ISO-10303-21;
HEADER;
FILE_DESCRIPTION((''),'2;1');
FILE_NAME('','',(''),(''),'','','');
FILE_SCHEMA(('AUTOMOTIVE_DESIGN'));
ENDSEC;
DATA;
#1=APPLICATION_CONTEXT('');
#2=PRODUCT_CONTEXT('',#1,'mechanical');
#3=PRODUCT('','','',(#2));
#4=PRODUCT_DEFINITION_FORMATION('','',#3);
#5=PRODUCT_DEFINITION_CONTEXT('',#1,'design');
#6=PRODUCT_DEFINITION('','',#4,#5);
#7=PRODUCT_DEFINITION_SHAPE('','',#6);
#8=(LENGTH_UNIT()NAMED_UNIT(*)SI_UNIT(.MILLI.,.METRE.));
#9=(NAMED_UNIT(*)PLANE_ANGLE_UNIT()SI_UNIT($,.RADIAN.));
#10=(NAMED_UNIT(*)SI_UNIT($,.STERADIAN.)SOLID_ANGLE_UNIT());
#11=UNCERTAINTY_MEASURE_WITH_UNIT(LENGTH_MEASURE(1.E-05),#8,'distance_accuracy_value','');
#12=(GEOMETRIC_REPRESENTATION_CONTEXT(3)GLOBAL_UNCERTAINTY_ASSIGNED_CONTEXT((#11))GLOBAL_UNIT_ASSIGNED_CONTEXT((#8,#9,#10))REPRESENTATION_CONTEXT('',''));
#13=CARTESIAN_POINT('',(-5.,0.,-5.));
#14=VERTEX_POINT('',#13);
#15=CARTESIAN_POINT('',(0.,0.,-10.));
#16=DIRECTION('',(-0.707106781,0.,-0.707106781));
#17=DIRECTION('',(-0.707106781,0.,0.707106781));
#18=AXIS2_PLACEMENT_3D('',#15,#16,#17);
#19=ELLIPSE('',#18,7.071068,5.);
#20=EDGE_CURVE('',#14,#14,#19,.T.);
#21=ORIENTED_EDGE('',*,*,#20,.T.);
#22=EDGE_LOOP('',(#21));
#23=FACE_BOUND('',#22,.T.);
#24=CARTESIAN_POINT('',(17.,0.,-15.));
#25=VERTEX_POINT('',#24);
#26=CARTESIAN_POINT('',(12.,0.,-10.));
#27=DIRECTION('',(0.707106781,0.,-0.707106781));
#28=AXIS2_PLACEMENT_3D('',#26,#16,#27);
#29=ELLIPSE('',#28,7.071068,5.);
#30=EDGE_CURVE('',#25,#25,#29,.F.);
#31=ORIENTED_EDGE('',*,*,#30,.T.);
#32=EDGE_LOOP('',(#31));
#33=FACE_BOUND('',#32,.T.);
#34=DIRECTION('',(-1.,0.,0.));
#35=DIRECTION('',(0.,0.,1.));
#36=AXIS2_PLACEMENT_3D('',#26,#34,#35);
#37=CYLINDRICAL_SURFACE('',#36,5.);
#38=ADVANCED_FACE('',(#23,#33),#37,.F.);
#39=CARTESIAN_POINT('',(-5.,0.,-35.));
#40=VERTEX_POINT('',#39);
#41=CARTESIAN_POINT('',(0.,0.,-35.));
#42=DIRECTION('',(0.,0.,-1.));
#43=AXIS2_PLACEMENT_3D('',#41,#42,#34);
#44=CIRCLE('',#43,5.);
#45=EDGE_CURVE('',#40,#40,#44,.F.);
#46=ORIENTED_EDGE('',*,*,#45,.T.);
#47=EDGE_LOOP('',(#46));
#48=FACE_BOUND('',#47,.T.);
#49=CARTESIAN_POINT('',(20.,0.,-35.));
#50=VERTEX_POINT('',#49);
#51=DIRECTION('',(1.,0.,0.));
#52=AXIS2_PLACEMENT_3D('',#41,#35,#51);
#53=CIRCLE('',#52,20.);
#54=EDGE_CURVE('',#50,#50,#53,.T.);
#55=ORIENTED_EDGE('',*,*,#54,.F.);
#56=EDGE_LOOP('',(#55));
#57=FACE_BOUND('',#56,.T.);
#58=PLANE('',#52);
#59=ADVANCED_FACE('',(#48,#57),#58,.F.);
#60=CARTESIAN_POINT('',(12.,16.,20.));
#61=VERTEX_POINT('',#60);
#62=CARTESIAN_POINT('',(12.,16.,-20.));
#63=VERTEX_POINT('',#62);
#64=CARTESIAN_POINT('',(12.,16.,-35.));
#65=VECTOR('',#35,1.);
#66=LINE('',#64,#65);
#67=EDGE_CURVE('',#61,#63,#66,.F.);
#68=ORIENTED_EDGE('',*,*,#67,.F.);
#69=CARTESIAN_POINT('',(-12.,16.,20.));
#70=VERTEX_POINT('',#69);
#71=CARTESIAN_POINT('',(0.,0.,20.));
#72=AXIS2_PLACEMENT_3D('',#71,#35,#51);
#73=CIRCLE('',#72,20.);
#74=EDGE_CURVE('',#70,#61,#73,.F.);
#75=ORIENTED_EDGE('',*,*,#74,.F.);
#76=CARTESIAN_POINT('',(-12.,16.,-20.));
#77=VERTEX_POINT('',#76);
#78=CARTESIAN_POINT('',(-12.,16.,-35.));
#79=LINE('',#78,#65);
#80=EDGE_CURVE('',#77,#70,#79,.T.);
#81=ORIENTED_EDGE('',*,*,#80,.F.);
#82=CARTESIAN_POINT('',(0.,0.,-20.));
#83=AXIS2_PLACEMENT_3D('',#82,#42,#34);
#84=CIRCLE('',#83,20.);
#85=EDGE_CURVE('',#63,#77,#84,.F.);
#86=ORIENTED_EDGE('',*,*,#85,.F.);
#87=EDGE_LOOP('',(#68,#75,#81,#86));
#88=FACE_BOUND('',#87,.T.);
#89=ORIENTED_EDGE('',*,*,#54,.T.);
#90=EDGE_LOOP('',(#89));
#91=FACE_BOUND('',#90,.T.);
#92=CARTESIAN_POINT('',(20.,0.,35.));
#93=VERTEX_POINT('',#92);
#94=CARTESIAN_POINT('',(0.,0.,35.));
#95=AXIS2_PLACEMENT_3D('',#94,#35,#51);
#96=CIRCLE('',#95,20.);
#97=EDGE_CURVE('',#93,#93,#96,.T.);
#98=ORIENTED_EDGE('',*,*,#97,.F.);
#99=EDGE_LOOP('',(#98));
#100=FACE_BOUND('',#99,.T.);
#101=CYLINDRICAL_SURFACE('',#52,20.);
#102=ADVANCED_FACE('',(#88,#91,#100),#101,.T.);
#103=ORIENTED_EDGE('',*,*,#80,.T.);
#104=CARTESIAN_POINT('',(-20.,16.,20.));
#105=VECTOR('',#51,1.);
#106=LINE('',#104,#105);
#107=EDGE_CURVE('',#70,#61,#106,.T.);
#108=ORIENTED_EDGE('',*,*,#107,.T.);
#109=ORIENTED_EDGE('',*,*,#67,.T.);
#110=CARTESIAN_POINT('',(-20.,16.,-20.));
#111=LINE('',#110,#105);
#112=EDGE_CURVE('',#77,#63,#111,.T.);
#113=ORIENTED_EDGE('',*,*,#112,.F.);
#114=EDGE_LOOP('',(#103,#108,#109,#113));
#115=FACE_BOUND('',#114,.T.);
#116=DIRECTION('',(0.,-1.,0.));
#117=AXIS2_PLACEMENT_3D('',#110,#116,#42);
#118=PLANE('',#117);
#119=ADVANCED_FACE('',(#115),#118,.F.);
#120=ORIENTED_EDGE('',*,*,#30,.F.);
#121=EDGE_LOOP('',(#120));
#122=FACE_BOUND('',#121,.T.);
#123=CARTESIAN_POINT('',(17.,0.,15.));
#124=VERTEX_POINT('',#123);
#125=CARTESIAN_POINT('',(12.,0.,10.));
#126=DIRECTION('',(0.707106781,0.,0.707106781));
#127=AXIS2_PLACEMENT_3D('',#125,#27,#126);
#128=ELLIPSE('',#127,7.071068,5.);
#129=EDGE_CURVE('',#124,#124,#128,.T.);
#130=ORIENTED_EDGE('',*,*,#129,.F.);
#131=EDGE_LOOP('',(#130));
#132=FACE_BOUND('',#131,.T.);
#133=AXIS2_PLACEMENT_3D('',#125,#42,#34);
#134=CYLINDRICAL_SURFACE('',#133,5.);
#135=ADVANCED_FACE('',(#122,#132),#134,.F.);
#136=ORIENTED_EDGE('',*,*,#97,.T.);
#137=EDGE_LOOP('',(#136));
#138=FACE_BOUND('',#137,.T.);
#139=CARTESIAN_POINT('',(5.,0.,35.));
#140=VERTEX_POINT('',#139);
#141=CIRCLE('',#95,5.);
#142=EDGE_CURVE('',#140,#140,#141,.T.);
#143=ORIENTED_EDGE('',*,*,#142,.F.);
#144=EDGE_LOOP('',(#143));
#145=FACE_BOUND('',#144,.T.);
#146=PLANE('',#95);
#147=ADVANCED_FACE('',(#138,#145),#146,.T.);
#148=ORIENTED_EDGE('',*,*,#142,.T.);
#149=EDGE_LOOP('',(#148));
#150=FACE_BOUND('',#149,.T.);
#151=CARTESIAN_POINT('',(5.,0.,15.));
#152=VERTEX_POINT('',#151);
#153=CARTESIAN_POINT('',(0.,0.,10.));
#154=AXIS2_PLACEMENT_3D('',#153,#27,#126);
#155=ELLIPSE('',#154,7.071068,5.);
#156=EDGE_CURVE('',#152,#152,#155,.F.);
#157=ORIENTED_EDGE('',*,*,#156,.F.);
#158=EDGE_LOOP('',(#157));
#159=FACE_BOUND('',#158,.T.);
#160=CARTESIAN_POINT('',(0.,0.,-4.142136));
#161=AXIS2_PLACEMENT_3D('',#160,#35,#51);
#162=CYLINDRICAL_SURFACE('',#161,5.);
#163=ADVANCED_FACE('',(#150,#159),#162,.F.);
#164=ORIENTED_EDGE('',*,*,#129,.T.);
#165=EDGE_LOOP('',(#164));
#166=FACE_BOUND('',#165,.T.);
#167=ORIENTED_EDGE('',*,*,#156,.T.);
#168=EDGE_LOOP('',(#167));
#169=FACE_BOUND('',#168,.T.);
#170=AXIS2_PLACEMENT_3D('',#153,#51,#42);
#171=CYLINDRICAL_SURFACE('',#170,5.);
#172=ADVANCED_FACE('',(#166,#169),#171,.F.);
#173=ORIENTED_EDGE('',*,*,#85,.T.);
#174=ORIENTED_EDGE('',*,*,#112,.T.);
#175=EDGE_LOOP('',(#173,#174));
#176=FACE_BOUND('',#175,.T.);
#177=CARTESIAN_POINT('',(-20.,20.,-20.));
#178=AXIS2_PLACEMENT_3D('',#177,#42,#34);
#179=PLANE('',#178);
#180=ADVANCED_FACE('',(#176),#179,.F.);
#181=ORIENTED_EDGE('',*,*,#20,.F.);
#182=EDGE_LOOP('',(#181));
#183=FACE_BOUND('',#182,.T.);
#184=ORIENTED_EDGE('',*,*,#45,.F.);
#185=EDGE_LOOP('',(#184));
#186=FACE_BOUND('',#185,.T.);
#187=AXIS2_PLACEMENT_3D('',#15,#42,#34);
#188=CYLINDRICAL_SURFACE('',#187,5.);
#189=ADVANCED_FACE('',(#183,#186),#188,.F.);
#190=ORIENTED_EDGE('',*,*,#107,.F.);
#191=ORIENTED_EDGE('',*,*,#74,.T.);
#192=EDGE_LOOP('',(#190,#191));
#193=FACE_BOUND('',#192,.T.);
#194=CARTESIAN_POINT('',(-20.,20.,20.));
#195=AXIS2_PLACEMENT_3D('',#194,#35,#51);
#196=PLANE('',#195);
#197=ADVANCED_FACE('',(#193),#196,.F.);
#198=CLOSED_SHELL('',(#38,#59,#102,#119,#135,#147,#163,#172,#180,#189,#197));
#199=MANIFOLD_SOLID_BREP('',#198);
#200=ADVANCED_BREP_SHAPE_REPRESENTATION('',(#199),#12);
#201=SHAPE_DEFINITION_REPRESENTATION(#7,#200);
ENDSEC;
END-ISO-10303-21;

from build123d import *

# Parameters (mm, degrees)
SKETCH1_R               = 20
BOSS_EXTRUDE1_DEPTH     = 35
SKETCH3_R               = 5
SKETCH4_W               = 40
SKETCH4_H               = 4
CUT_EXTRUDE1_DEPTH      = 21
CUT_EXTRUDE1_DEPTH_BACK = 21


with BuildPart() as part:
    # Sketch1 → Boss-Extrude1 (new body, symmetric)
    with BuildSketch(Plane.XY):
        Circle(SKETCH1_R)
    extrude(amount=BOSS_EXTRUDE1_DEPTH, both=True)

    # Cut-Sweep1: sweep along a path in Sketch2
    with BuildLine(Plane(origin=(0, 0, 0), x_dir=(1, 0, 0), z_dir=(0, 1, 0))) as cut_sweep1_path:
        Line((0, 35), (0, 10))
        Line((0, 10), (12, 10))
        Line((12, 10), (12, -10))
        Line((12, -10), (0, -10))
        Line((0, -10), (0, -35))
    # Sketch3 → Cut-Sweep1 (sweep, cut)
    with BuildSketch(Plane.XY.offset(35)):
        Circle(SKETCH3_R)
    sweep(path=cut_sweep1_path.line, transition=Transition.RIGHT, mode=Mode.SUBTRACT)

    # Sketch4 → Cut-Extrude1 (cut, two sides)
    with BuildSketch(Plane(origin=(0, 0, 0), x_dir=(0, 0, -1), z_dir=(1, 0, 0))) as cut_extrude1_sk:
        with Locations((0, 18)):
            Rectangle(SKETCH4_W, SKETCH4_H)
    extrude(amount=CUT_EXTRUDE1_DEPTH, mode=Mode.SUBTRACT)
    extrude(cut_extrude1_sk.sketch, amount=-CUT_EXTRUDE1_DEPTH_BACK, mode=Mode.SUBTRACT)


solid = part.part
